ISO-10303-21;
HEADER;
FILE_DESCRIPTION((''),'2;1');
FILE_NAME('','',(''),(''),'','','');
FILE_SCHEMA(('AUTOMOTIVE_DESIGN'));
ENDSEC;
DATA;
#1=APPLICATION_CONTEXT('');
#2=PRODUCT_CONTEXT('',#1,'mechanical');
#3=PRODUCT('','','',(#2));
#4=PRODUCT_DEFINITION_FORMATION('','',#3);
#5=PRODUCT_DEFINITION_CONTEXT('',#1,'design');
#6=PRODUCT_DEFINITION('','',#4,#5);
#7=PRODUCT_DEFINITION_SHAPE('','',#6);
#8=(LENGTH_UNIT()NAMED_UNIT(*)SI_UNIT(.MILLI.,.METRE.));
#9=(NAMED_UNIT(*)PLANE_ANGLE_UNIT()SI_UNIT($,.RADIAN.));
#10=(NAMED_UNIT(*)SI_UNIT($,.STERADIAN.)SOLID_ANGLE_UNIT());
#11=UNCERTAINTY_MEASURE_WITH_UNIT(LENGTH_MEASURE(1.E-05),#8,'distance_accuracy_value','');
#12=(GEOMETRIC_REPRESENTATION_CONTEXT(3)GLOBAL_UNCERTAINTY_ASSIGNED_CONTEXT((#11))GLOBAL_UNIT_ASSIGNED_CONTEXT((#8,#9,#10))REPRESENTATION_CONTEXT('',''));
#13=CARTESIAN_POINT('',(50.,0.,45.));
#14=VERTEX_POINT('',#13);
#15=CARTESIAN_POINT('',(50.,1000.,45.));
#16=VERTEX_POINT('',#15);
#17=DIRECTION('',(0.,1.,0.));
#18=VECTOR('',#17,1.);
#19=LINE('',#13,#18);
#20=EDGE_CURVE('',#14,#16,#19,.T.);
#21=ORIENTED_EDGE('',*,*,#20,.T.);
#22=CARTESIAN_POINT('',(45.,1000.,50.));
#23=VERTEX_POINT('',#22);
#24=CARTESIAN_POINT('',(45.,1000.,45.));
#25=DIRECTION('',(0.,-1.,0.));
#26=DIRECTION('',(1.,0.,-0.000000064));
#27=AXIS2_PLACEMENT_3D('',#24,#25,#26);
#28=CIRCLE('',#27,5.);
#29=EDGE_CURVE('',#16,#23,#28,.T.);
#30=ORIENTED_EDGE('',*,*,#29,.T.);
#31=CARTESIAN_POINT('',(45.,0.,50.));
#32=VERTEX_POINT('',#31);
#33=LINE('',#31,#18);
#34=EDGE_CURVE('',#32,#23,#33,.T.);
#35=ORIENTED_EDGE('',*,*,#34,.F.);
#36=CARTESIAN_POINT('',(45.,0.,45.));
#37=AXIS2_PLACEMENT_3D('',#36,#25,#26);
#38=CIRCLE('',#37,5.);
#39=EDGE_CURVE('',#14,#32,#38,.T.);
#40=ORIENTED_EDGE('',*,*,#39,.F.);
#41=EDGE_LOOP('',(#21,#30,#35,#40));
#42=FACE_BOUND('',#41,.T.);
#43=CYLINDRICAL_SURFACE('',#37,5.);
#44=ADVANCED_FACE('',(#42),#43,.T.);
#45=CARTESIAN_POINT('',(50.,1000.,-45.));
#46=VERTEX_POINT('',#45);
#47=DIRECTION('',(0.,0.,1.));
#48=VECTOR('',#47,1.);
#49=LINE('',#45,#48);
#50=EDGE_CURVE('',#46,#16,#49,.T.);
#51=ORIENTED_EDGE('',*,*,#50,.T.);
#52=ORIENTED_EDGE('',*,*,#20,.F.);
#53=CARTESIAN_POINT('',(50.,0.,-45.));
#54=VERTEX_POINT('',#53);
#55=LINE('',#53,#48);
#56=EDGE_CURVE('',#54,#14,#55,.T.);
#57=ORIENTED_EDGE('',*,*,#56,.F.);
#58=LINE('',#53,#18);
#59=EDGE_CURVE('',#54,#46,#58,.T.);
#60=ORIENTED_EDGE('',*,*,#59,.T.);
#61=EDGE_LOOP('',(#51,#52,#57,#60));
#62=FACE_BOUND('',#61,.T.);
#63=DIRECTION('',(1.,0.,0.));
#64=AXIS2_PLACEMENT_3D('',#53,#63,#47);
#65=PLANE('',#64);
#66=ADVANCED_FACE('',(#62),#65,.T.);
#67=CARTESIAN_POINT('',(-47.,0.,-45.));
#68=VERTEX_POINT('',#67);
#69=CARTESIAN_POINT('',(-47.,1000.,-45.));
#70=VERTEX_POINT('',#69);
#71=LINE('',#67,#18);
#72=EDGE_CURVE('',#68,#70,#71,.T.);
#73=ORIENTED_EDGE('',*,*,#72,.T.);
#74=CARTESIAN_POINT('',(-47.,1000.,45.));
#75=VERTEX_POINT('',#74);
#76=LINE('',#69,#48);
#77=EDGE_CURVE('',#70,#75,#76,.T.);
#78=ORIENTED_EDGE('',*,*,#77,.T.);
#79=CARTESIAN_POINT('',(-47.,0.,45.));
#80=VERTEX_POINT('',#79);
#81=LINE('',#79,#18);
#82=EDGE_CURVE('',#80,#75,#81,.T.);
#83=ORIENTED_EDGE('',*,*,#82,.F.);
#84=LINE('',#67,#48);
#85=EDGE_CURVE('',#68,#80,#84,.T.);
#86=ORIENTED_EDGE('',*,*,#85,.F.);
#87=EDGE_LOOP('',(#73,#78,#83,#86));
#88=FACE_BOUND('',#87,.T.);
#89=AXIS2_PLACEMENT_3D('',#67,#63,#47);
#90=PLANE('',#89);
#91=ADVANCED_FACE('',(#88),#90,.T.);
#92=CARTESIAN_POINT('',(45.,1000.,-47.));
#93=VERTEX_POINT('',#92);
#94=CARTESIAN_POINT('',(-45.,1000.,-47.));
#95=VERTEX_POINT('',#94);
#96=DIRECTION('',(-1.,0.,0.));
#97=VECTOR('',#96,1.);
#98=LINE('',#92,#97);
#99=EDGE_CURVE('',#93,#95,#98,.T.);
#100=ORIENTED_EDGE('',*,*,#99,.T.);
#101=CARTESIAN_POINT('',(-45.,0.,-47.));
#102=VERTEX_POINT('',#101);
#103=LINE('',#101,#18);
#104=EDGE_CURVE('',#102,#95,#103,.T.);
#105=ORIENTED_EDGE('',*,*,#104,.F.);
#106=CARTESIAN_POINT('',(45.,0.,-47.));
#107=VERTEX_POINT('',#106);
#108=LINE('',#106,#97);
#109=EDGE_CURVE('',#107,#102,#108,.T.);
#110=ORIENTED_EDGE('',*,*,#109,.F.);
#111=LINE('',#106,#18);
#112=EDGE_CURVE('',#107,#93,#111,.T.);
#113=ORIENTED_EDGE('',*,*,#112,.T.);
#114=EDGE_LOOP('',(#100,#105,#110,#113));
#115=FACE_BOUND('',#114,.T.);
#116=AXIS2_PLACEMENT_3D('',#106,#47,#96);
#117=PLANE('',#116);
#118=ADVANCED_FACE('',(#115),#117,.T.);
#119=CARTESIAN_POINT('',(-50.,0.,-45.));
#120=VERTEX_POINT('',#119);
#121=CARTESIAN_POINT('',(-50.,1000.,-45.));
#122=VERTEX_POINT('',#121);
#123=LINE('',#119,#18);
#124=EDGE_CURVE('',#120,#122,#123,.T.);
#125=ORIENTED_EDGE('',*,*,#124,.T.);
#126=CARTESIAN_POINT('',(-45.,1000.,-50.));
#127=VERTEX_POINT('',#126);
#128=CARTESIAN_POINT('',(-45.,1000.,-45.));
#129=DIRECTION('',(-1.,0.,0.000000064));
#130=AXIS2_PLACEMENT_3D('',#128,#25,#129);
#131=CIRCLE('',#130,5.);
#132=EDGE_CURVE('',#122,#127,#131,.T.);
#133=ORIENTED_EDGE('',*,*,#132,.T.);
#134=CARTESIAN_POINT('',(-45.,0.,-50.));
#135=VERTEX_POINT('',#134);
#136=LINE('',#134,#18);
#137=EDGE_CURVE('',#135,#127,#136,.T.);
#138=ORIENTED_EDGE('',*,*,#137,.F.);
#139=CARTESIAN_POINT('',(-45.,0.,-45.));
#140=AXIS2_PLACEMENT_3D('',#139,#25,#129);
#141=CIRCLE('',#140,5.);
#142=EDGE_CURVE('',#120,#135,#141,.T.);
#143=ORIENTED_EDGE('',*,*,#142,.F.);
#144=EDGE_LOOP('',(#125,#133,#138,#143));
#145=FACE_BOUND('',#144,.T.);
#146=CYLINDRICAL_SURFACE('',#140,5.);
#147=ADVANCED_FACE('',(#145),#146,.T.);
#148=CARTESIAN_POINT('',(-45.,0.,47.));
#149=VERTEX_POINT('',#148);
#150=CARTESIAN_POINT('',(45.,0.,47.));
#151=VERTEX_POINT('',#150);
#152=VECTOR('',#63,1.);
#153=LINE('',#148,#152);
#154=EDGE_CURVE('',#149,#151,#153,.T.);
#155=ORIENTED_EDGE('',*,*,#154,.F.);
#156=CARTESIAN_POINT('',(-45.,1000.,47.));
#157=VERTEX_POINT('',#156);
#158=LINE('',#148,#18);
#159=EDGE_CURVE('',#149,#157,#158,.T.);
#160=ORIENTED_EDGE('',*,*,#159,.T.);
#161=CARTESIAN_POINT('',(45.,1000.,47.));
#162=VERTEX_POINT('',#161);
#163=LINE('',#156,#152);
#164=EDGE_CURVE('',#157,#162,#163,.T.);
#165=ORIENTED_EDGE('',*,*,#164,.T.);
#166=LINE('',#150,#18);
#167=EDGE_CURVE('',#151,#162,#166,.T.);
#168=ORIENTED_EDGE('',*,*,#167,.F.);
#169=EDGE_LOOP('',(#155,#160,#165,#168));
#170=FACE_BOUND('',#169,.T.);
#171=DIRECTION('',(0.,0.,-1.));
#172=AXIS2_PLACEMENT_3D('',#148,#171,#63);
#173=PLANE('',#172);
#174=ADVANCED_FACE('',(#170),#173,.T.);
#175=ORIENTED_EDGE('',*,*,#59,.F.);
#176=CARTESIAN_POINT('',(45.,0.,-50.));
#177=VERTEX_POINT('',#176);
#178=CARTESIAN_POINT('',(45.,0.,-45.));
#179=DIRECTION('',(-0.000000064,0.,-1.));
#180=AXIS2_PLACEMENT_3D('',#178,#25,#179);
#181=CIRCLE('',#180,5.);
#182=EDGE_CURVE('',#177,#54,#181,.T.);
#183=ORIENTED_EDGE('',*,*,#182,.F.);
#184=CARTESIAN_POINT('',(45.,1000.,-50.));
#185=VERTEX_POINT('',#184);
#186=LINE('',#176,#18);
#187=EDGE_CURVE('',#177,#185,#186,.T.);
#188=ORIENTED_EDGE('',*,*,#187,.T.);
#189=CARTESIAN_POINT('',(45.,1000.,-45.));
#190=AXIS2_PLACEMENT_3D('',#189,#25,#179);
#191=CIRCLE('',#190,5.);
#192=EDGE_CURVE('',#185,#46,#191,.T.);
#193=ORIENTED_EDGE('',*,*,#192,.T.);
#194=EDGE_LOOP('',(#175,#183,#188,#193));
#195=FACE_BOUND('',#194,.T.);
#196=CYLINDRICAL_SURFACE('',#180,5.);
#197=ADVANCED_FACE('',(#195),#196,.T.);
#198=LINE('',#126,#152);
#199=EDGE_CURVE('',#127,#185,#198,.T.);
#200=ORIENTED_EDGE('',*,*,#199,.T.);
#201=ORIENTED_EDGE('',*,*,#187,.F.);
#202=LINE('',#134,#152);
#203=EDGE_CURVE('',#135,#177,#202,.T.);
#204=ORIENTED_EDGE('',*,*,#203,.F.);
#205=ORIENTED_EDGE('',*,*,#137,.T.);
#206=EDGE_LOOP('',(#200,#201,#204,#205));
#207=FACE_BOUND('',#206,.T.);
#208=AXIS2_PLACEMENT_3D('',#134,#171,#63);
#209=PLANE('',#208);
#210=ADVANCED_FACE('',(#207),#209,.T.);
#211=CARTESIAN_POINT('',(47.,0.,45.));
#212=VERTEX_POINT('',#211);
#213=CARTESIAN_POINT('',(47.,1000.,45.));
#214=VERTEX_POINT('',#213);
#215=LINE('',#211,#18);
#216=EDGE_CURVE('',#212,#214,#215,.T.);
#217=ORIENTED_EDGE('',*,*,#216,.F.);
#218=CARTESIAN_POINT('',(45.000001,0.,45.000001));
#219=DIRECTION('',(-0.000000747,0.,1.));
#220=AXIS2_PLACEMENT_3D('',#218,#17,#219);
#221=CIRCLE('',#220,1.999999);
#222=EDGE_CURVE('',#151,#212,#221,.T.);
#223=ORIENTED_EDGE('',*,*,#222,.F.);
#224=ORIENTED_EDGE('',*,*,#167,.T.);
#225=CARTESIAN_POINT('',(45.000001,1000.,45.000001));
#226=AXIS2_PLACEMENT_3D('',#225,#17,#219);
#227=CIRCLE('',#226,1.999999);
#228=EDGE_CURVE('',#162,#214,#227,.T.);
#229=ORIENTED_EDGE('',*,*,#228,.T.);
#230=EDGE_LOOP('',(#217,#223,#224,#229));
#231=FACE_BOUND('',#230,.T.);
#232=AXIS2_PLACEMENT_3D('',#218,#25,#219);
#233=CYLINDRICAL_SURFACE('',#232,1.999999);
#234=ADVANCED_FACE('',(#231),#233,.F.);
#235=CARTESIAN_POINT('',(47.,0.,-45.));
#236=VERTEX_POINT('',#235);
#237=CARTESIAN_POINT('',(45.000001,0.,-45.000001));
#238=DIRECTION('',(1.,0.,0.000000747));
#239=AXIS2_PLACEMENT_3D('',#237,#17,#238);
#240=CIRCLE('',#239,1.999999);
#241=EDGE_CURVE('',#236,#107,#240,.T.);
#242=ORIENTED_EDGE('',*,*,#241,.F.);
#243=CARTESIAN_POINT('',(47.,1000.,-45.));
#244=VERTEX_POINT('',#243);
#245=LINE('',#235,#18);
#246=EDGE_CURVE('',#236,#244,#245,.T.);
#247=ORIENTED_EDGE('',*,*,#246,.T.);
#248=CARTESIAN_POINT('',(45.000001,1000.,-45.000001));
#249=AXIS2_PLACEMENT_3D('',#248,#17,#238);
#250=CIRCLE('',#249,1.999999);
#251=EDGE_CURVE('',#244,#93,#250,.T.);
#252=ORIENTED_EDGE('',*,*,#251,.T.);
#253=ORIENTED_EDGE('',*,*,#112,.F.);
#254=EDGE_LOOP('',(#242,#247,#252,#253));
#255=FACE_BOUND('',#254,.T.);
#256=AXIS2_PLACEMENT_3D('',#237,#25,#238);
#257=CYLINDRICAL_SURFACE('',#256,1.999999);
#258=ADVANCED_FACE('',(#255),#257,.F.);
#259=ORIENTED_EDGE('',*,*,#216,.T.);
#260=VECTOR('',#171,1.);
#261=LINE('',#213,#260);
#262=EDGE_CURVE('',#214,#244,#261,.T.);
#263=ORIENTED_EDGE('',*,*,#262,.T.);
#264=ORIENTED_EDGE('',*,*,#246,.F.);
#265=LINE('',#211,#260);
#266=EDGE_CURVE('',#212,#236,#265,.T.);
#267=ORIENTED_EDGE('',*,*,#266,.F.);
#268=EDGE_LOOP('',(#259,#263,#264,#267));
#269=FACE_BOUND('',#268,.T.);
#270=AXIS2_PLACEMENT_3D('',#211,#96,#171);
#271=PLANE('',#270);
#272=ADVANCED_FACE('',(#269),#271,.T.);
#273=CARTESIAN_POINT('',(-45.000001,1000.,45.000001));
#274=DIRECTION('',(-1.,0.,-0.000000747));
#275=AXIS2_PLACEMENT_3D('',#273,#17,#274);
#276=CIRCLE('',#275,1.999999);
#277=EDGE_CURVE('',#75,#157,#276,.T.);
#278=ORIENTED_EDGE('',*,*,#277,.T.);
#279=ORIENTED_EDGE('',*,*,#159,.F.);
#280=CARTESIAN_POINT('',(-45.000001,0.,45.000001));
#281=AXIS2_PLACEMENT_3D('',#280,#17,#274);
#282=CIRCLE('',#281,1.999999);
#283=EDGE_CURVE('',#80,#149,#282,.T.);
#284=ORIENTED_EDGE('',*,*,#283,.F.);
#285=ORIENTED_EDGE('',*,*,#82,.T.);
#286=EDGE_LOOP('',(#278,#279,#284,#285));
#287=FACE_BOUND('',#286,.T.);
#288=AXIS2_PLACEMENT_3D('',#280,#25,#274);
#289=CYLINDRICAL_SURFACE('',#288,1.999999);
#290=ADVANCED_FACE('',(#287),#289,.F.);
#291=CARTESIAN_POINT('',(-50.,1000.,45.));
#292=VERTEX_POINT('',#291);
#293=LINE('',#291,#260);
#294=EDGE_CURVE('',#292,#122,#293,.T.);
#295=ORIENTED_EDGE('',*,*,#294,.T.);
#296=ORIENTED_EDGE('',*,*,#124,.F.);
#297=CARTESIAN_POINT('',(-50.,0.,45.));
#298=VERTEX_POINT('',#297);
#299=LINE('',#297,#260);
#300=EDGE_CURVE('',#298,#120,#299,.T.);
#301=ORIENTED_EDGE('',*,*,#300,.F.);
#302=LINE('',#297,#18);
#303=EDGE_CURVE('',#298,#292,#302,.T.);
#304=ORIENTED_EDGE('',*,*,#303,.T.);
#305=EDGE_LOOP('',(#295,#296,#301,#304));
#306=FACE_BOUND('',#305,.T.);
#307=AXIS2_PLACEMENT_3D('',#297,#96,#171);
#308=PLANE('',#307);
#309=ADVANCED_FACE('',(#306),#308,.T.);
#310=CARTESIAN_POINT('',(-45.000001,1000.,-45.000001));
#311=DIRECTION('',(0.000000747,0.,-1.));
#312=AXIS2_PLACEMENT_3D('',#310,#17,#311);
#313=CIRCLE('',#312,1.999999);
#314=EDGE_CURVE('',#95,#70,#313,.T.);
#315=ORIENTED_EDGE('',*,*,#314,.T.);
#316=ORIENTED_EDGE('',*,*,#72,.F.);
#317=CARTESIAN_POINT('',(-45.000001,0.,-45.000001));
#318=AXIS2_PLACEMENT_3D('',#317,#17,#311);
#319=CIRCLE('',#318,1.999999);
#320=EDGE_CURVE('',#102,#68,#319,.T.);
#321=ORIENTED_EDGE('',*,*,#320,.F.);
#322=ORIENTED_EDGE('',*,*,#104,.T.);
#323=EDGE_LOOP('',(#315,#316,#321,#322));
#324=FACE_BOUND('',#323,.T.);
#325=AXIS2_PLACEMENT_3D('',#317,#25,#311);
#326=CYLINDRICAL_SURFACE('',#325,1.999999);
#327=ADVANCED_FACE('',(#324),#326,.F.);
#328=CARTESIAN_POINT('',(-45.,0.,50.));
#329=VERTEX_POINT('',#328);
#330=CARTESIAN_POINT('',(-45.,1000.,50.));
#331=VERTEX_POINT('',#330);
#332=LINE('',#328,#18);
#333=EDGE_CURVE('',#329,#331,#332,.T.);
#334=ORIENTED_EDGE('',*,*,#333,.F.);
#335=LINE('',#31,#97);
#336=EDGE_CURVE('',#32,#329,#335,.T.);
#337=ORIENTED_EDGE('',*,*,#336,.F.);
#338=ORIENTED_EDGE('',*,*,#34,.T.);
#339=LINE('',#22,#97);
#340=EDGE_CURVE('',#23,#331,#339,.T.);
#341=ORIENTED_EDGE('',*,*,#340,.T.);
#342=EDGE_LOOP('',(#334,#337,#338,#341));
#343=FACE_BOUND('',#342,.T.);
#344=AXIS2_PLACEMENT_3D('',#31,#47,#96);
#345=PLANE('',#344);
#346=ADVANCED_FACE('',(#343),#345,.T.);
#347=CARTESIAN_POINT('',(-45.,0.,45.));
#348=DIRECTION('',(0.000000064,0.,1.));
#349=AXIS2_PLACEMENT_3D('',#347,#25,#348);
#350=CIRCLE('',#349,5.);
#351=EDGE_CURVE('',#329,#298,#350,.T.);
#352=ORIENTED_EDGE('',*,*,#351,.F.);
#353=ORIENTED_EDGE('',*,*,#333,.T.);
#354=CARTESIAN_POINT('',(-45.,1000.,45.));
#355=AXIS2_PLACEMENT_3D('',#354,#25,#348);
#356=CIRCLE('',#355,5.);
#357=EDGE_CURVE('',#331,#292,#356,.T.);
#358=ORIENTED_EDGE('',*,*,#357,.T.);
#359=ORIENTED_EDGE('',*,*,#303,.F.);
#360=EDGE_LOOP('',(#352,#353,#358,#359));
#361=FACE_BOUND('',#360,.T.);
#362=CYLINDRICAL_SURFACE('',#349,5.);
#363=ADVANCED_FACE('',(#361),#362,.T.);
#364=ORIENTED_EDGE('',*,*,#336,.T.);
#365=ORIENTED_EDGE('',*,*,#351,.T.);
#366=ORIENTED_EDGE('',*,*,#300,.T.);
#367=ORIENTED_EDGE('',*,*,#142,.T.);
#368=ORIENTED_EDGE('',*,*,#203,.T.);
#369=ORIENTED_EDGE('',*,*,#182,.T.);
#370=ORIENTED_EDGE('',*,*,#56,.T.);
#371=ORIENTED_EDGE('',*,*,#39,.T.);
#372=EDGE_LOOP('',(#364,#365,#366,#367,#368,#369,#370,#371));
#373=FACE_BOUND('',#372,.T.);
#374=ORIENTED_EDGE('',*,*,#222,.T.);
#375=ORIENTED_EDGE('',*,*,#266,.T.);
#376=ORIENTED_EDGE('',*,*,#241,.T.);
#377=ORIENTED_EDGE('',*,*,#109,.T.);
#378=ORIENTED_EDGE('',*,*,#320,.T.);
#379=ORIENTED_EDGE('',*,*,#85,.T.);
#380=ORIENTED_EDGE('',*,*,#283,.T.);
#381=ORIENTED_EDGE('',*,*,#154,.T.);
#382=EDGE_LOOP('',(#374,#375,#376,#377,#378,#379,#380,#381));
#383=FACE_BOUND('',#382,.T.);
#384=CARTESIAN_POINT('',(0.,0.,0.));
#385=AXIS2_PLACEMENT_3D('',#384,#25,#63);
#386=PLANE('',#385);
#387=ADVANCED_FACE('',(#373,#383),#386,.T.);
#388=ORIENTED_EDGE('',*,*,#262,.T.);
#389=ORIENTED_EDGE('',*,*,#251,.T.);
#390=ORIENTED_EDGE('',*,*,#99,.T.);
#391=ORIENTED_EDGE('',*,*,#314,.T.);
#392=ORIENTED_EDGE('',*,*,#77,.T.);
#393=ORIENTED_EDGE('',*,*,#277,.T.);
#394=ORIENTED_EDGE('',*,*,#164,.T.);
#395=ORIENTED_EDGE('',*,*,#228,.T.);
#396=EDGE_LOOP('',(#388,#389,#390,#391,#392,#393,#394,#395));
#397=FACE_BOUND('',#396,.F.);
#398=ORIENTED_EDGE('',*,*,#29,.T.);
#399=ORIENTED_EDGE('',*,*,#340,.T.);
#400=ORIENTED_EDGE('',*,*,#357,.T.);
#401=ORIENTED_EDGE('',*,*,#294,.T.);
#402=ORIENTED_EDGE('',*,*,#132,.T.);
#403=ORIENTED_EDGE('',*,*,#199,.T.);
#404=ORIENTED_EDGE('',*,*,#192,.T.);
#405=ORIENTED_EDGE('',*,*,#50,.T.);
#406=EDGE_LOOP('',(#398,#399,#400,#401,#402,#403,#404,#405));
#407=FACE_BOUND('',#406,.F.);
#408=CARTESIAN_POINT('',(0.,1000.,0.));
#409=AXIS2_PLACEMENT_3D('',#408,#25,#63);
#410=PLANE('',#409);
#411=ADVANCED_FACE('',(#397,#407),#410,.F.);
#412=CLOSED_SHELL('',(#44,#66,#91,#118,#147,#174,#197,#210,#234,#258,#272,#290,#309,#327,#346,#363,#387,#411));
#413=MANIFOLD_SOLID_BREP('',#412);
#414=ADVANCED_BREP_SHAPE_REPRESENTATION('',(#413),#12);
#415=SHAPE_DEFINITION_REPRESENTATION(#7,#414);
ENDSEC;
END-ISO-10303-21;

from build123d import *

# Parameters (mm, degrees)
F1_DEPTH = 1000


with BuildPart() as f1:
    # F0 (on Front) → F1 (new body)
    with BuildSketch(Plane.XZ):
        with BuildLine():
            ThreePointArc((50, 45), (48.535534, 48.535534), (45, 50))
            Line((45, 50), (-45, 50))
            ThreePointArc((-45, 50), (-48.535534, 48.535534), (-50, 45))
            Line((-50, 45), (-50, -45))
            ThreePointArc((-50, -45), (-48.535534, -48.535534), (-45, -50))
            Line((-45, -50), (45, -50))
            ThreePointArc((45, -50), (48.535534, -48.535534), (50, -45))
            Line((50, -45), (50, 45))
        make_face()
        with BuildLine():
            ThreePointArc((-47, 45), (-46.414214, 46.414214), (-45, 47))
            Line((-45, 47), (45, 47))
            ThreePointArc((45, 47), (46.414214, 46.414214), (47, 45))
            Line((47, 45), (47, -45))
            ThreePointArc((47, -45), (46.414214, -46.414214), (45, -47))
            Line((45, -47), (-45, -47))
            ThreePointArc((-45, -47), (-46.414214, -46.414214), (-47, -45))
            Line((-47, -45), (-47, 45))
        make_face(mode=Mode.SUBTRACT)
    extrude(amount=-F1_DEPTH)


solid = f1.part
